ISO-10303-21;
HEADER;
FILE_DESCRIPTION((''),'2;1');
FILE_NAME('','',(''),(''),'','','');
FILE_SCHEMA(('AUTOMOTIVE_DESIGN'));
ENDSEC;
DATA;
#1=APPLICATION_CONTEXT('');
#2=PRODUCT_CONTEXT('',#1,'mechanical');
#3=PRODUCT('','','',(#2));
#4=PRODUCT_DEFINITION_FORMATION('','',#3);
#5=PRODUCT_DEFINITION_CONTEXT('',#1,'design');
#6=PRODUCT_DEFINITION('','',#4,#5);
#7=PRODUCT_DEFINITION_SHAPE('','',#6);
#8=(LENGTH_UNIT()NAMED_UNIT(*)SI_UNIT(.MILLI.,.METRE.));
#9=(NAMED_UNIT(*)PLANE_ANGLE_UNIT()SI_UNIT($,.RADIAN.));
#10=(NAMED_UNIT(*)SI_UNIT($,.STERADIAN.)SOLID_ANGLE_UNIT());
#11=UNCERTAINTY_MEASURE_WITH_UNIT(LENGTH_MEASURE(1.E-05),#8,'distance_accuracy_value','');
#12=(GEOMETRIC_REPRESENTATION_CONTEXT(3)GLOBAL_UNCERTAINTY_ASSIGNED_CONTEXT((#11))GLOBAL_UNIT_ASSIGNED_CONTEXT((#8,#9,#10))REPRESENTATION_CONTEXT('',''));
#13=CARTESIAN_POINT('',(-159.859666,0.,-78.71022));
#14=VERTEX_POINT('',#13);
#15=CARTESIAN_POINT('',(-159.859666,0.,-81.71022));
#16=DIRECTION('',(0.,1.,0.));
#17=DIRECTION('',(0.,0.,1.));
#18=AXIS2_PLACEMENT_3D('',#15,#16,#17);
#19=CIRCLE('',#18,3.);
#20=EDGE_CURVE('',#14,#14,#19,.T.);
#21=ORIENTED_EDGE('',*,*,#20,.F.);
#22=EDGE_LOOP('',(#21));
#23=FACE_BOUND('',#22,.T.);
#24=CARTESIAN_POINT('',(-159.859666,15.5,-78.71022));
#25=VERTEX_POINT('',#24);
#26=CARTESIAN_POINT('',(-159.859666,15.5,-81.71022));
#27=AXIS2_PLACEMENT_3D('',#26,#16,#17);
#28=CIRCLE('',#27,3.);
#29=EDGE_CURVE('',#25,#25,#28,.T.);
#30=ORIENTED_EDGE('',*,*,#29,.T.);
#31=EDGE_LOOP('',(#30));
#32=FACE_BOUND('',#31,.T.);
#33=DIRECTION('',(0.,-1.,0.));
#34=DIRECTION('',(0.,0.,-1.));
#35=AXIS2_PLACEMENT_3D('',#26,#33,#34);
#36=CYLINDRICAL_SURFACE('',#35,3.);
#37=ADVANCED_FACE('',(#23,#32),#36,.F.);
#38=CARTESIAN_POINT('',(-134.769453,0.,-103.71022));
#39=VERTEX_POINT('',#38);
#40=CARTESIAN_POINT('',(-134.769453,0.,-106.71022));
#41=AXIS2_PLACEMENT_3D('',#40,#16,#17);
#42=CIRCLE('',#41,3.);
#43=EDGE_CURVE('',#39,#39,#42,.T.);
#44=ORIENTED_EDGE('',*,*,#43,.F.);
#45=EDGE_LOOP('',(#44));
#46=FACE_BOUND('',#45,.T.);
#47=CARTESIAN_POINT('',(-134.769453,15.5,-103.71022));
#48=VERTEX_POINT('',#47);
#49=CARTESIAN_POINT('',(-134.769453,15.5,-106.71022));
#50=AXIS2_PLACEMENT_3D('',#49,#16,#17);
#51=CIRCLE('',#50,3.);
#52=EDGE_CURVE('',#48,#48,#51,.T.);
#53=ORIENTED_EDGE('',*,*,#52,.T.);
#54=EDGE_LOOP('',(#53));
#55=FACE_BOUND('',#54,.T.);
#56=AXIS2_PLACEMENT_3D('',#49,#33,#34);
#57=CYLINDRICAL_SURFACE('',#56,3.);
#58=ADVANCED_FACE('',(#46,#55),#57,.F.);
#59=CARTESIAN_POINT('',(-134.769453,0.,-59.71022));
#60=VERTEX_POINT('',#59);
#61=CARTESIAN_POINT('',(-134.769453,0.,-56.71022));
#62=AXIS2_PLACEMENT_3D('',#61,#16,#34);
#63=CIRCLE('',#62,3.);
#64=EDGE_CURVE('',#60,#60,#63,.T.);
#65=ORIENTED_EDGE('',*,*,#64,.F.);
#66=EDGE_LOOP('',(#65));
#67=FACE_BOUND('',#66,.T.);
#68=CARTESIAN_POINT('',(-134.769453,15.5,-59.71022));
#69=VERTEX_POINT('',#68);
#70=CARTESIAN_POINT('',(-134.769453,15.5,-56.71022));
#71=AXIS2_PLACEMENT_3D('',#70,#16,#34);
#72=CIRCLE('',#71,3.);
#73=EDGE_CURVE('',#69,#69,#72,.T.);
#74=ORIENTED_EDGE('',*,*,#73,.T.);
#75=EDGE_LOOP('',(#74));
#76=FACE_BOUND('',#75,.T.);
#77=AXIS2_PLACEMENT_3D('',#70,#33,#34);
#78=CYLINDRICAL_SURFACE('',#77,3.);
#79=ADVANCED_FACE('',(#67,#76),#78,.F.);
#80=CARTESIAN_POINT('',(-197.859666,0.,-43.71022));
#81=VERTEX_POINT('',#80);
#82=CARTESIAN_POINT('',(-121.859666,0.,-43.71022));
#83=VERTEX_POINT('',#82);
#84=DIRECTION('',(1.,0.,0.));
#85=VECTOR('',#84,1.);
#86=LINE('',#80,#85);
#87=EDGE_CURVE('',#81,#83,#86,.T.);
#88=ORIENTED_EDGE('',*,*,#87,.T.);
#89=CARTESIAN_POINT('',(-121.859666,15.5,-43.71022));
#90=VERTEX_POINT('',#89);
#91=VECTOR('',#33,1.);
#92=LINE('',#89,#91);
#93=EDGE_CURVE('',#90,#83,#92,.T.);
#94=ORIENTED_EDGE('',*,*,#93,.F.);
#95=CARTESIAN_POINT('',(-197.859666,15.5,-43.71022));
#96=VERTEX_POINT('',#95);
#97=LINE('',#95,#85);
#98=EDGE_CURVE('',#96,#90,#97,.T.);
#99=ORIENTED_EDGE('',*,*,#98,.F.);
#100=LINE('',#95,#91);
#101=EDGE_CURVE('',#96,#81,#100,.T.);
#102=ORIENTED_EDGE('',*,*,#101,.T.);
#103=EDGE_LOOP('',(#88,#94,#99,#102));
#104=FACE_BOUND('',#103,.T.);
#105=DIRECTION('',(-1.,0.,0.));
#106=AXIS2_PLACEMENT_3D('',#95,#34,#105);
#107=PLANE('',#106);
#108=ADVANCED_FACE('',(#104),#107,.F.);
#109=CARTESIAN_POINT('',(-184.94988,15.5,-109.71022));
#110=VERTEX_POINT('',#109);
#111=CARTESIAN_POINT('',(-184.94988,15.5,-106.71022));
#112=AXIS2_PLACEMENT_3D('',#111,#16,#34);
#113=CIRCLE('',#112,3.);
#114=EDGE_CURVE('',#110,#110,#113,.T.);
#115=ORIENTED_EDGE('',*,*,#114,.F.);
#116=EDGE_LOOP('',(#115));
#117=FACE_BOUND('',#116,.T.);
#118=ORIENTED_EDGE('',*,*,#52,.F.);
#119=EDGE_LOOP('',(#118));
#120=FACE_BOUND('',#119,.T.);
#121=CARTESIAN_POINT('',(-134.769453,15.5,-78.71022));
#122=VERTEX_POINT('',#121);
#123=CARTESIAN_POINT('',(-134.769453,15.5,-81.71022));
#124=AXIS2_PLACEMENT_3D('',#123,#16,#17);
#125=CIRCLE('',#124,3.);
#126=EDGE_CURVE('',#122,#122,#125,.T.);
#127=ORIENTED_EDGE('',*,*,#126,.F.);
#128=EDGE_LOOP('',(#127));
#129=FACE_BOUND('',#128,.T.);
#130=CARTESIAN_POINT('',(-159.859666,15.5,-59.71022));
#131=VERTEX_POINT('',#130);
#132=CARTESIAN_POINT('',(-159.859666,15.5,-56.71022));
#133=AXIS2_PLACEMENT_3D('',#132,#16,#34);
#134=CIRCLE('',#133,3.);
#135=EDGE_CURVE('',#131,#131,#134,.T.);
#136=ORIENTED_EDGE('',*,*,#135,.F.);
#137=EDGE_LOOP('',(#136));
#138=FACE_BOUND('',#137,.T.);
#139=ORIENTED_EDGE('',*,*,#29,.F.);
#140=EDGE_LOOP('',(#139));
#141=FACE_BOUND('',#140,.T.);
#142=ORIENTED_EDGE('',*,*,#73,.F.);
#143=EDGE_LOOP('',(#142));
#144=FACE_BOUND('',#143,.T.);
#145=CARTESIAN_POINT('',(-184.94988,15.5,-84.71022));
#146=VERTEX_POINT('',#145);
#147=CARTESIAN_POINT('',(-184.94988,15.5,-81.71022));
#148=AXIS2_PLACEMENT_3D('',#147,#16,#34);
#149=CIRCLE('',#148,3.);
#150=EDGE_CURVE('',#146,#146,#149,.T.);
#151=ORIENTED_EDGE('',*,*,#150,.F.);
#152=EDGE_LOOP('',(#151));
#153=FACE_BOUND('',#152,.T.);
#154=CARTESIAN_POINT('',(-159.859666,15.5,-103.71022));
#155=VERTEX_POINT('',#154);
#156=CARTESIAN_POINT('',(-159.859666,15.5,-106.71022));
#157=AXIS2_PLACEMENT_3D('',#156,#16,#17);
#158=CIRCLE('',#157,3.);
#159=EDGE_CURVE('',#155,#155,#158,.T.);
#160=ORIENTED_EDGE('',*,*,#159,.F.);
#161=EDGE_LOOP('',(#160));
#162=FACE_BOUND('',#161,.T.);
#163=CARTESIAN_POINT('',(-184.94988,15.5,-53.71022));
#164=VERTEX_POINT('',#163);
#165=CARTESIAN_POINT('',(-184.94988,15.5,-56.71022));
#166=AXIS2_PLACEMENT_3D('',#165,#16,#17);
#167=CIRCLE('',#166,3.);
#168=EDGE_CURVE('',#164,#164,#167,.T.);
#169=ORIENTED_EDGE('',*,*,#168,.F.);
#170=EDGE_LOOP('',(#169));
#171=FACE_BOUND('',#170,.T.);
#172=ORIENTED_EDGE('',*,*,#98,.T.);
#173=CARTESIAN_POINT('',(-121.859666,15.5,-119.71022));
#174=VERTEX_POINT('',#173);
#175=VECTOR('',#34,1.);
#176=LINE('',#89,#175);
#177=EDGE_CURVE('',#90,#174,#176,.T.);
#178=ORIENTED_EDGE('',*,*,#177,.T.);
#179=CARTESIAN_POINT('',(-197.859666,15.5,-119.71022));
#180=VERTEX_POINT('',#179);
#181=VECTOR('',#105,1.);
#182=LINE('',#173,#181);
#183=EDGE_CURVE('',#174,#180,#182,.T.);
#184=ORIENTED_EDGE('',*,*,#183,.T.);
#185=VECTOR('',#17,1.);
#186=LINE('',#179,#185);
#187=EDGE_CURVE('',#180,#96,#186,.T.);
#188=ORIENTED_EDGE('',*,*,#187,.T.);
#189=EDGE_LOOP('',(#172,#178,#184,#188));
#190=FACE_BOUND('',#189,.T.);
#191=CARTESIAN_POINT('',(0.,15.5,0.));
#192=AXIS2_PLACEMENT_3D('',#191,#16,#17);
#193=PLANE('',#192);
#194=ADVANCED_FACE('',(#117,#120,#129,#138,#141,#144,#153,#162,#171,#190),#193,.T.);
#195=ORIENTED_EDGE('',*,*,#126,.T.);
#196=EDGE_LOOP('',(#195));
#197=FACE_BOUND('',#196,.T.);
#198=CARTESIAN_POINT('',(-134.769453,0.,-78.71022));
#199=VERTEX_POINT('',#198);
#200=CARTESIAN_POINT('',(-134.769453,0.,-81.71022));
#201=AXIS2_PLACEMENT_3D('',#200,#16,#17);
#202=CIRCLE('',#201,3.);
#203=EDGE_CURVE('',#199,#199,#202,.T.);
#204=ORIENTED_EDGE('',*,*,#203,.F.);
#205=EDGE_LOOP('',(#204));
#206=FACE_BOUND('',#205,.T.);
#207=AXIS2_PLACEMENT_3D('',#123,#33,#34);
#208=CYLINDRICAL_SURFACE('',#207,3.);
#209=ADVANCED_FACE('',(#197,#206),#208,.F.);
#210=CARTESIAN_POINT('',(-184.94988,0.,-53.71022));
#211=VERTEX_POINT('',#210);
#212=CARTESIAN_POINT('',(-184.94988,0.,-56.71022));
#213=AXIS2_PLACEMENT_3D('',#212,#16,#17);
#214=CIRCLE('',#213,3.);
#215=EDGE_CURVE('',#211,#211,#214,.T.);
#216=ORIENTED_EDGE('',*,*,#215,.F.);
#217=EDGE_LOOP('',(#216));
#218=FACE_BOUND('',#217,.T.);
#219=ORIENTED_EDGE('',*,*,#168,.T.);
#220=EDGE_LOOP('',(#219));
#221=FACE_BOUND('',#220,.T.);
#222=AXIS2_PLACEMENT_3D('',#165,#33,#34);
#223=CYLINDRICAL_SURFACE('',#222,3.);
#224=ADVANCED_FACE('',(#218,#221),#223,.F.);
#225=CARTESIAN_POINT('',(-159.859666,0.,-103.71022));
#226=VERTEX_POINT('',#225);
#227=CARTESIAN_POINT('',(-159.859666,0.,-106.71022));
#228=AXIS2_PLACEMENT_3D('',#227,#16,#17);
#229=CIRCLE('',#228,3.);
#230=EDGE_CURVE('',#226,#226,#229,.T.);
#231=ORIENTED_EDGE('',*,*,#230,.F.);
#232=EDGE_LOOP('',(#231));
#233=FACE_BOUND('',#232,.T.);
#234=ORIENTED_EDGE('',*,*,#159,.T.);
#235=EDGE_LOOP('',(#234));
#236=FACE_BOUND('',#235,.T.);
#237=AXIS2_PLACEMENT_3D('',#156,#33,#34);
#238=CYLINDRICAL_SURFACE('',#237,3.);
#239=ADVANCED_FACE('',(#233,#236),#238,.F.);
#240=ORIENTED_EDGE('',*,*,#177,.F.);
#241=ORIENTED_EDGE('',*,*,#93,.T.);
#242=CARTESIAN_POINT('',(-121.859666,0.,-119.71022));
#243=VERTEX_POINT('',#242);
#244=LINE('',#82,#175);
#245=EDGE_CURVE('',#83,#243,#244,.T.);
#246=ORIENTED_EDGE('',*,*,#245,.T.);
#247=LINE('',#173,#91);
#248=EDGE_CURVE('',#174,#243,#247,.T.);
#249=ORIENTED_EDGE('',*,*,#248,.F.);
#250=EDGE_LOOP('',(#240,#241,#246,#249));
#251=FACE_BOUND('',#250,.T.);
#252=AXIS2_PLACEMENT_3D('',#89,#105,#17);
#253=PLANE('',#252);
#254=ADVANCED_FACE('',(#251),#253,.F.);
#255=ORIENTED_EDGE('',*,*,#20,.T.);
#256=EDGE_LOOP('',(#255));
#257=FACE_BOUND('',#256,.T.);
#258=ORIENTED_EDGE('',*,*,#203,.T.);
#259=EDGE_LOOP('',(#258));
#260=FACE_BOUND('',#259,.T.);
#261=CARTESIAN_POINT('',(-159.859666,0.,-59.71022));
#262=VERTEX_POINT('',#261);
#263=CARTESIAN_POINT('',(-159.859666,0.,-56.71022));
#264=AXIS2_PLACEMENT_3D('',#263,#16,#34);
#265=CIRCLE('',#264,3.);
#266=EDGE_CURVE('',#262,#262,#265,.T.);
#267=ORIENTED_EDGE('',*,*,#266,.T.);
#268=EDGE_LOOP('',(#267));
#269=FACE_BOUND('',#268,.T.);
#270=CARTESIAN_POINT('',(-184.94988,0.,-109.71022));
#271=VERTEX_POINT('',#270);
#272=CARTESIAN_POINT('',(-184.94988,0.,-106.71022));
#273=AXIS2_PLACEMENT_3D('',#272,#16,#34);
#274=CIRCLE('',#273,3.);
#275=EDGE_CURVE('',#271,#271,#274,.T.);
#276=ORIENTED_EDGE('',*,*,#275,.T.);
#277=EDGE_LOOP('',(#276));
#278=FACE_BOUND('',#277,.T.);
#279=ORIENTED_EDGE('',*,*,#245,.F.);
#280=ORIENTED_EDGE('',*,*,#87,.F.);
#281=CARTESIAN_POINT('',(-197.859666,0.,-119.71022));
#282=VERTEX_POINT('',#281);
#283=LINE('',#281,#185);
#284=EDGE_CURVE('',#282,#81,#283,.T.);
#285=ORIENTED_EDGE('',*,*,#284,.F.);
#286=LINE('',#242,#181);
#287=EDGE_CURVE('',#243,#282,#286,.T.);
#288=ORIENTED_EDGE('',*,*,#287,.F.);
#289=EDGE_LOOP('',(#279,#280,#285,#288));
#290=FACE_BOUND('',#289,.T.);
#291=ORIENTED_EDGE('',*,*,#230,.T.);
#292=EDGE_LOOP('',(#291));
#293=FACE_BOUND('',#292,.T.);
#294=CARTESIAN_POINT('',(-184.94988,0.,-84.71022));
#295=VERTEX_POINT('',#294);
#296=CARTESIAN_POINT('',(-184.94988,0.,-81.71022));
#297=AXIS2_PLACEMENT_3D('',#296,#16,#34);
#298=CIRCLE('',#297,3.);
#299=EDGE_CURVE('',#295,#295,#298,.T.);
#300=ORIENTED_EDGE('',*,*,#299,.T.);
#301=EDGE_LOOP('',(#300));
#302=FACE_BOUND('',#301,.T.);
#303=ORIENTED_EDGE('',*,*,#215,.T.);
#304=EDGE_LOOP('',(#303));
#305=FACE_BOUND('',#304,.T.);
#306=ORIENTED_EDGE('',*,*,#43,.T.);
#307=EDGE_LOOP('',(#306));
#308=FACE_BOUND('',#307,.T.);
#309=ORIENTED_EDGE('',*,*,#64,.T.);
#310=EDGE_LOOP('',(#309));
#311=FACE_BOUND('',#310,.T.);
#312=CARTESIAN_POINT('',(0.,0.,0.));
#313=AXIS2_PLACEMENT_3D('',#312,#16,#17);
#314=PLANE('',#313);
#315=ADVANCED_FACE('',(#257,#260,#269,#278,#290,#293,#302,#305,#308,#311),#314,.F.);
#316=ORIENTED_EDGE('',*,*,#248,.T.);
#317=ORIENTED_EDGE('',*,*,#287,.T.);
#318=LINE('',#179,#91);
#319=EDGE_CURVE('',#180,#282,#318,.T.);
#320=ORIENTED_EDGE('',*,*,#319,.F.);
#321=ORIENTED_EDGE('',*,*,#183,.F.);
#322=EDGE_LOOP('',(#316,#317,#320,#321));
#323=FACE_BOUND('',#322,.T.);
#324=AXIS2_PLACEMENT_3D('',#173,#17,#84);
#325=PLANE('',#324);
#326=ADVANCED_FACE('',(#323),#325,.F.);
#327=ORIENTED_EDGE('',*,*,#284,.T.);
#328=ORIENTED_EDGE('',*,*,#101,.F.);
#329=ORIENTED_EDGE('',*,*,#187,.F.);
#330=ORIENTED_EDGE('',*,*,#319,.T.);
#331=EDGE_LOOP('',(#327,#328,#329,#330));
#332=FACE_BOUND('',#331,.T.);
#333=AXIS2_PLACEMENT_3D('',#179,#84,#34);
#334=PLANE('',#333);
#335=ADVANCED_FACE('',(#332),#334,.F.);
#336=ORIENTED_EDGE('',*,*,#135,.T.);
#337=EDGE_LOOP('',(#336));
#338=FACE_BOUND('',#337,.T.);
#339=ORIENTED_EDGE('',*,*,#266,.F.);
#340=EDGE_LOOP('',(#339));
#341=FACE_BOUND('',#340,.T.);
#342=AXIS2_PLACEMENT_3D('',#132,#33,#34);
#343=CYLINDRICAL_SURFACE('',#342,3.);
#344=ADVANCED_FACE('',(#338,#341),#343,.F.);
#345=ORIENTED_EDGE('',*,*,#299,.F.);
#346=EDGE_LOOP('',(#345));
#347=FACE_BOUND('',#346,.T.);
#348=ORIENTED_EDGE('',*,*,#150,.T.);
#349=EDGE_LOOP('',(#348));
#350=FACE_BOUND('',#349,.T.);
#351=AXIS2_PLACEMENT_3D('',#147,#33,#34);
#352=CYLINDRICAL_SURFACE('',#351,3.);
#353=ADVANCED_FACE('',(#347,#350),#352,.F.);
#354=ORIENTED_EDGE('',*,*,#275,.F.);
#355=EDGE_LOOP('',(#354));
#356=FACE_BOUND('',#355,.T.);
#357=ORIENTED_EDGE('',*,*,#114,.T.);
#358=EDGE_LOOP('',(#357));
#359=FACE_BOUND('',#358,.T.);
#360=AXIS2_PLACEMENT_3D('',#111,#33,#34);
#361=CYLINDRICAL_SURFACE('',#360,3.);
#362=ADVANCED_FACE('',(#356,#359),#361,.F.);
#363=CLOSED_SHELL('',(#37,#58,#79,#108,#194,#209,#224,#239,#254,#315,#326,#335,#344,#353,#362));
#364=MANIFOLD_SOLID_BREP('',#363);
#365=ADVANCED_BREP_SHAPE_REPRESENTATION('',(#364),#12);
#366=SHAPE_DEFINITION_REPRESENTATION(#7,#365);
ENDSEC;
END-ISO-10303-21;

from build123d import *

# Parameters (mm, degrees)
SKETCH1_W           = 76
SKETCH1_H           = 76
SKETCH1_R           = 3
BOSS_EXTRUDE1_DEPTH = 15.5


with BuildPart() as part:
    # Sketch1 → Boss-Extrude1 (new body)
    with BuildSketch(Plane(origin=(0, 0, 0), x_dir=(1, 0, 0), z_dir=(0, 1, 0))):
        with Locations((-159.8596663, 81.710219679)):
            Rectangle(SKETCH1_W, SKETCH1_H)
        with Locations(Location((-159.8596663, 81.710219679, 0), (0, 0, 270))):
            Circle(SKETCH1_R, mode=Mode.SUBTRACT)
        with Locations(Location((-134.769453056, 81.710219679, 0), (0, 0, 270))):
            Circle(SKETCH1_R, mode=Mode.SUBTRACT)
        with Locations(Location((-184.949879544, 81.710219679, 0), (0, 0, 90))):
            Circle(SKETCH1_R, mode=Mode.SUBTRACT)
        with Locations(Location((-184.949879544, 106.710219679, 0), (0, 0, 90))):
            Circle(SKETCH1_R, mode=Mode.SUBTRACT)
        with Locations(Location((-159.8596663, 106.710219679, 0), (0, 0, 270))):
            Circle(SKETCH1_R, mode=Mode.SUBTRACT)
        with Locations(Location((-134.769453056, 106.710219679, 0), (0, 0, 270))):
            Circle(SKETCH1_R, mode=Mode.SUBTRACT)
        with Locations(Location((-134.769453056, 56.710219679, 0), (0, 0, 90))):
            Circle(SKETCH1_R, mode=Mode.SUBTRACT)
        with Locations(Location((-159.8596663, 56.710219679, 0), (0, 0, 90))):
            Circle(SKETCH1_R, mode=Mode.SUBTRACT)
        with Locations(Location((-184.949879544, 56.710219679, 0), (0, 0, 270))):
            Circle(SKETCH1_R, mode=Mode.SUBTRACT)
    extrude(amount=BOSS_EXTRUDE1_DEPTH)


solid = part.part
